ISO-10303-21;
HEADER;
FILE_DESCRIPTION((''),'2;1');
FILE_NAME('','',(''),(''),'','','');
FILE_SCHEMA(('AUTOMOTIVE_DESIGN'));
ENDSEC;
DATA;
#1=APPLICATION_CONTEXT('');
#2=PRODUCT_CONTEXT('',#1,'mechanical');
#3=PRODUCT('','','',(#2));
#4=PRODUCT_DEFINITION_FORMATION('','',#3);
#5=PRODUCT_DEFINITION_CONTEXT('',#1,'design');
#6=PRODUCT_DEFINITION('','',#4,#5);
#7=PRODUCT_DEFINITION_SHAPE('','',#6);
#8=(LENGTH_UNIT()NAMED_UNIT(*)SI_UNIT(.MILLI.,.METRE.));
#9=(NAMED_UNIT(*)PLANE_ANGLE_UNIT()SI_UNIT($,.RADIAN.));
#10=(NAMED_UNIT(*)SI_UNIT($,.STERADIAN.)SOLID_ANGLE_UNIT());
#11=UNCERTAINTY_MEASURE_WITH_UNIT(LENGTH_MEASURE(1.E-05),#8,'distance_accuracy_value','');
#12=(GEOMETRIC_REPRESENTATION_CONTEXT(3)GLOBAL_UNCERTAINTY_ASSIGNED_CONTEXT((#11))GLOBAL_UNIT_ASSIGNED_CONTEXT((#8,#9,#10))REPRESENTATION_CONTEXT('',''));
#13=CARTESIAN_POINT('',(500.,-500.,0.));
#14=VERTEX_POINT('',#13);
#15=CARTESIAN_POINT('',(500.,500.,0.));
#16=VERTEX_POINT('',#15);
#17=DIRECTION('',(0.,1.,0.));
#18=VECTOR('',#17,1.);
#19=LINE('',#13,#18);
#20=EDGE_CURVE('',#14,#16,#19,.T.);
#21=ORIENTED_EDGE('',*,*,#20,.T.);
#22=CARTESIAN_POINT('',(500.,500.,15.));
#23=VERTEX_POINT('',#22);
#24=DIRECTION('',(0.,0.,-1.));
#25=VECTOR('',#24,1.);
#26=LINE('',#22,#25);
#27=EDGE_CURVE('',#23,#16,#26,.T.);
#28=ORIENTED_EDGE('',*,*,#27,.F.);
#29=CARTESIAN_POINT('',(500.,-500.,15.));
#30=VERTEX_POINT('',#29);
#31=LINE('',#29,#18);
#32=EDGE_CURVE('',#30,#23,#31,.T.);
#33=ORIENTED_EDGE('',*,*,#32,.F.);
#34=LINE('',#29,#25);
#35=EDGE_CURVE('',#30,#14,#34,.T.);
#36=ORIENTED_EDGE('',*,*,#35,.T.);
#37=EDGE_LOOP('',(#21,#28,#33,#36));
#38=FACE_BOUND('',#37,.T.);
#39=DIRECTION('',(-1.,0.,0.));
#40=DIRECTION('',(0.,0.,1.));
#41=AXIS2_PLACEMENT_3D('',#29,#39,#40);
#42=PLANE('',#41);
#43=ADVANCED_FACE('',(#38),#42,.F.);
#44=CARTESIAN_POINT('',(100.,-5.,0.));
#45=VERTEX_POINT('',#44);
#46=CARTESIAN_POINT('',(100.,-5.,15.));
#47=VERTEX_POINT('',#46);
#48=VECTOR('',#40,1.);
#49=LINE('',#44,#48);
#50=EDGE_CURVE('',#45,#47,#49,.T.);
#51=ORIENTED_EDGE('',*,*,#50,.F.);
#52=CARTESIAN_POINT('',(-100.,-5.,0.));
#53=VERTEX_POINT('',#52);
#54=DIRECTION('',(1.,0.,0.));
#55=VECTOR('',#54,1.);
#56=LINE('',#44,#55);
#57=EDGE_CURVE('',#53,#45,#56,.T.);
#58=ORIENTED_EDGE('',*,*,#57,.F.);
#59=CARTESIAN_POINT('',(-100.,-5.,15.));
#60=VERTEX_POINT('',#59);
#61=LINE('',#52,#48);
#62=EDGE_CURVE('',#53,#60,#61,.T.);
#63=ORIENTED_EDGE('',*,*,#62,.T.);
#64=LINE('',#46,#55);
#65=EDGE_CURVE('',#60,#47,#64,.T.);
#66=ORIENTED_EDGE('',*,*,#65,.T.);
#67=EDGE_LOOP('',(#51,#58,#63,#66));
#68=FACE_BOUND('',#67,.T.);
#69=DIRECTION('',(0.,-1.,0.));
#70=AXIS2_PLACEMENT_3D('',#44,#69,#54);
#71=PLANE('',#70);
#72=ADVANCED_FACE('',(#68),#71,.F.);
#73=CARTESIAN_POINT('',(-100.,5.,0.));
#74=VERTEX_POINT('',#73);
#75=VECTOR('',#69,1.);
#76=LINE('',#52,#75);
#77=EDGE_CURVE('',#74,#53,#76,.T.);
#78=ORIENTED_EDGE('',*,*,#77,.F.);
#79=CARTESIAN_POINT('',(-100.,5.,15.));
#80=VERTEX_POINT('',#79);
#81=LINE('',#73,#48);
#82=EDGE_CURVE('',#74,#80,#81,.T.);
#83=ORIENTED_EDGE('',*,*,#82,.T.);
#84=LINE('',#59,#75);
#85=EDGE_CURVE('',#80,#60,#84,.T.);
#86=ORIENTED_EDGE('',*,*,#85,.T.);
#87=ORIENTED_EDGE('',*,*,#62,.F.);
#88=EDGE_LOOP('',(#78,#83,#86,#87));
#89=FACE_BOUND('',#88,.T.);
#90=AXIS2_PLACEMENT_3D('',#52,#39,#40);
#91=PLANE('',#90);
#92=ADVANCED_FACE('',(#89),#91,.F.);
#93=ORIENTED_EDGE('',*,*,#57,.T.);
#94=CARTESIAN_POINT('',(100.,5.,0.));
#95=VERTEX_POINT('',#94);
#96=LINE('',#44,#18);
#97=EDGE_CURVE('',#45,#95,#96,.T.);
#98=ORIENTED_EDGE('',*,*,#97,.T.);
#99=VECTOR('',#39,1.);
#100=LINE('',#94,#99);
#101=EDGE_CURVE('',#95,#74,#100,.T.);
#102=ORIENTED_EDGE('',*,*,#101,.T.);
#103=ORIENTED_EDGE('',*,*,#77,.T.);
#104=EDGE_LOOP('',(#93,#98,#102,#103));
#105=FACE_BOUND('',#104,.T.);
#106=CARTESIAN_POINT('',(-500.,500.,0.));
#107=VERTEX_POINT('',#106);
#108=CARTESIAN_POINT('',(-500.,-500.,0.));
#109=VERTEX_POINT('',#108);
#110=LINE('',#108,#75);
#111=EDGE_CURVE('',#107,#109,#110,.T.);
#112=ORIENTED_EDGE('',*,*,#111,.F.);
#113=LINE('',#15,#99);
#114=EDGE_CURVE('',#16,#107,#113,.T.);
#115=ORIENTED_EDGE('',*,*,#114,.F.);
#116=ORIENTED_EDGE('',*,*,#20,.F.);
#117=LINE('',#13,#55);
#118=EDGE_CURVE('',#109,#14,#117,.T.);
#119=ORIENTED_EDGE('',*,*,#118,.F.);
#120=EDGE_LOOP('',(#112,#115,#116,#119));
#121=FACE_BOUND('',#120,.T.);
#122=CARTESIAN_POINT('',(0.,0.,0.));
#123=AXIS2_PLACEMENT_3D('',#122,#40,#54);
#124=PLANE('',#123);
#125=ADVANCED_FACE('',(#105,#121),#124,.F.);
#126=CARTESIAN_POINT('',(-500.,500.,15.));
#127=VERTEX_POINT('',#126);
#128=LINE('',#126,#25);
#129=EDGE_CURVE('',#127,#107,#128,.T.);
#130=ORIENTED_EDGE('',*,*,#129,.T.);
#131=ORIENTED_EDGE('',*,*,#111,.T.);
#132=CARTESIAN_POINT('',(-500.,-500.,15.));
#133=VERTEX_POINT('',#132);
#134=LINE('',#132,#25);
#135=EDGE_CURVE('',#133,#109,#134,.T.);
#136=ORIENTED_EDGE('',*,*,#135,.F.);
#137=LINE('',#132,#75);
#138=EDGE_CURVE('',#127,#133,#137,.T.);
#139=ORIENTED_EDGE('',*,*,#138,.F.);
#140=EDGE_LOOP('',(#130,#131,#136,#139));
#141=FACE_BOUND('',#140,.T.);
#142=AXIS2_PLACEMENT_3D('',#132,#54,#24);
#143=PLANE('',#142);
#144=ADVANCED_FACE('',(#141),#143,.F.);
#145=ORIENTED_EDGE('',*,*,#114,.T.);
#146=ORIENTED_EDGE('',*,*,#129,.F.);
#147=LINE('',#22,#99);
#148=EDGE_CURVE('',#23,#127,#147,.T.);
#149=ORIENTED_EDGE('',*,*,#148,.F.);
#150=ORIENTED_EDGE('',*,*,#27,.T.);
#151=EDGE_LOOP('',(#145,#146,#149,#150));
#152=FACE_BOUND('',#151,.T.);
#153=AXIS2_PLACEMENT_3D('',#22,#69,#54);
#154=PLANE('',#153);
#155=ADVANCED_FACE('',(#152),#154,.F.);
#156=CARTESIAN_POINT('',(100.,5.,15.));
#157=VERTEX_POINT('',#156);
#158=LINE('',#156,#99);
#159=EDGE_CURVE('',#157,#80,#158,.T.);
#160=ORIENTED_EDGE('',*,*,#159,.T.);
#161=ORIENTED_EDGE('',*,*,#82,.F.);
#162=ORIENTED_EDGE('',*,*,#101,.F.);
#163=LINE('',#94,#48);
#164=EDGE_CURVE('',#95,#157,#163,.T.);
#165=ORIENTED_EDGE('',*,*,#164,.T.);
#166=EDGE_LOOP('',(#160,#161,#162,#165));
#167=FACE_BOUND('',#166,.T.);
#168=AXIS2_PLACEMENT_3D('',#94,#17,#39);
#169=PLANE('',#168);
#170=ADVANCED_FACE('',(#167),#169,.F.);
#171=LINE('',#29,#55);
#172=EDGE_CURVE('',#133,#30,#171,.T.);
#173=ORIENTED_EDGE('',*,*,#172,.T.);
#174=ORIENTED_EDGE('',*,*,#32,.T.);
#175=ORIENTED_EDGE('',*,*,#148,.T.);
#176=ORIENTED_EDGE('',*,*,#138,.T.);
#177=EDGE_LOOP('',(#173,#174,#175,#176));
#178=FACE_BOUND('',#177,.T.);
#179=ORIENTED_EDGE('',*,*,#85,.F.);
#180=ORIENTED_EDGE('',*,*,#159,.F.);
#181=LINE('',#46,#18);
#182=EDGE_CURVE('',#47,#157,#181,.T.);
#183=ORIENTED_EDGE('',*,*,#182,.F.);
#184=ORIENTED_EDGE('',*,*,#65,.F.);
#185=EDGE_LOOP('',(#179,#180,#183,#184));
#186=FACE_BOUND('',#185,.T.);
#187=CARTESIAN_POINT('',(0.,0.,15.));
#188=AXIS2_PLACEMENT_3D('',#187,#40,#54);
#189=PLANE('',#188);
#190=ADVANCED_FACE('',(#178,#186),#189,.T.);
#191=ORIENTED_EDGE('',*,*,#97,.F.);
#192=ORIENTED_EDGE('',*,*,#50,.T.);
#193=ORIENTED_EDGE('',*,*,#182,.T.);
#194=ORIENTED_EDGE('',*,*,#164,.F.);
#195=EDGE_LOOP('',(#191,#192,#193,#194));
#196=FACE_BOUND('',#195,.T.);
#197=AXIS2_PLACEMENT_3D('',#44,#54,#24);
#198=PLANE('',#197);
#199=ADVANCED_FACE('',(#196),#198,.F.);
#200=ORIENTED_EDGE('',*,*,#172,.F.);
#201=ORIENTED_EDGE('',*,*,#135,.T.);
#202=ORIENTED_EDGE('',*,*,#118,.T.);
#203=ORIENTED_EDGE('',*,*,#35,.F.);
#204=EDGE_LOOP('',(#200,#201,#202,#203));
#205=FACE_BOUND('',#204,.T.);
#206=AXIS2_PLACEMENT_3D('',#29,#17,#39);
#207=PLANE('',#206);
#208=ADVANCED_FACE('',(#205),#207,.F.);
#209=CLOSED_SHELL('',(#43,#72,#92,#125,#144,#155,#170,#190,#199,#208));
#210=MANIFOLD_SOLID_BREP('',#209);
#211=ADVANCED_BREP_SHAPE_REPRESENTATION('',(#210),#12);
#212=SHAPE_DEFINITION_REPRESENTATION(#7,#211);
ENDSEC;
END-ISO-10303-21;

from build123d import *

# Parameters (mm, degrees)
ESBO_O1_W                = 1000
ESBO_O1_H                = 1000
RESSALTO_EXTRUS_O1_DEPTH = 15
ESBO_O2_W                = 200
ESBO_O2_H                = 10
CORTE_EXTRUS_O1_DEPTH    = 16


with BuildPart() as part:
    # Esboço1 → Ressalto-extrusão1 (new body)
    with BuildSketch(Plane.XY):
        Rectangle(ESBO_O1_W, ESBO_O1_H)
    extrude(amount=RESSALTO_EXTRUS_O1_DEPTH)

    # Esboço2 → Corte-extrusão1 (cut, through all)
    with BuildSketch(Plane.XY.offset(15)):
        Rectangle(ESBO_O2_W, ESBO_O2_H)
    extrude(amount=-CORTE_EXTRUS_O1_DEPTH, mode=Mode.SUBTRACT)


solid = part.part
